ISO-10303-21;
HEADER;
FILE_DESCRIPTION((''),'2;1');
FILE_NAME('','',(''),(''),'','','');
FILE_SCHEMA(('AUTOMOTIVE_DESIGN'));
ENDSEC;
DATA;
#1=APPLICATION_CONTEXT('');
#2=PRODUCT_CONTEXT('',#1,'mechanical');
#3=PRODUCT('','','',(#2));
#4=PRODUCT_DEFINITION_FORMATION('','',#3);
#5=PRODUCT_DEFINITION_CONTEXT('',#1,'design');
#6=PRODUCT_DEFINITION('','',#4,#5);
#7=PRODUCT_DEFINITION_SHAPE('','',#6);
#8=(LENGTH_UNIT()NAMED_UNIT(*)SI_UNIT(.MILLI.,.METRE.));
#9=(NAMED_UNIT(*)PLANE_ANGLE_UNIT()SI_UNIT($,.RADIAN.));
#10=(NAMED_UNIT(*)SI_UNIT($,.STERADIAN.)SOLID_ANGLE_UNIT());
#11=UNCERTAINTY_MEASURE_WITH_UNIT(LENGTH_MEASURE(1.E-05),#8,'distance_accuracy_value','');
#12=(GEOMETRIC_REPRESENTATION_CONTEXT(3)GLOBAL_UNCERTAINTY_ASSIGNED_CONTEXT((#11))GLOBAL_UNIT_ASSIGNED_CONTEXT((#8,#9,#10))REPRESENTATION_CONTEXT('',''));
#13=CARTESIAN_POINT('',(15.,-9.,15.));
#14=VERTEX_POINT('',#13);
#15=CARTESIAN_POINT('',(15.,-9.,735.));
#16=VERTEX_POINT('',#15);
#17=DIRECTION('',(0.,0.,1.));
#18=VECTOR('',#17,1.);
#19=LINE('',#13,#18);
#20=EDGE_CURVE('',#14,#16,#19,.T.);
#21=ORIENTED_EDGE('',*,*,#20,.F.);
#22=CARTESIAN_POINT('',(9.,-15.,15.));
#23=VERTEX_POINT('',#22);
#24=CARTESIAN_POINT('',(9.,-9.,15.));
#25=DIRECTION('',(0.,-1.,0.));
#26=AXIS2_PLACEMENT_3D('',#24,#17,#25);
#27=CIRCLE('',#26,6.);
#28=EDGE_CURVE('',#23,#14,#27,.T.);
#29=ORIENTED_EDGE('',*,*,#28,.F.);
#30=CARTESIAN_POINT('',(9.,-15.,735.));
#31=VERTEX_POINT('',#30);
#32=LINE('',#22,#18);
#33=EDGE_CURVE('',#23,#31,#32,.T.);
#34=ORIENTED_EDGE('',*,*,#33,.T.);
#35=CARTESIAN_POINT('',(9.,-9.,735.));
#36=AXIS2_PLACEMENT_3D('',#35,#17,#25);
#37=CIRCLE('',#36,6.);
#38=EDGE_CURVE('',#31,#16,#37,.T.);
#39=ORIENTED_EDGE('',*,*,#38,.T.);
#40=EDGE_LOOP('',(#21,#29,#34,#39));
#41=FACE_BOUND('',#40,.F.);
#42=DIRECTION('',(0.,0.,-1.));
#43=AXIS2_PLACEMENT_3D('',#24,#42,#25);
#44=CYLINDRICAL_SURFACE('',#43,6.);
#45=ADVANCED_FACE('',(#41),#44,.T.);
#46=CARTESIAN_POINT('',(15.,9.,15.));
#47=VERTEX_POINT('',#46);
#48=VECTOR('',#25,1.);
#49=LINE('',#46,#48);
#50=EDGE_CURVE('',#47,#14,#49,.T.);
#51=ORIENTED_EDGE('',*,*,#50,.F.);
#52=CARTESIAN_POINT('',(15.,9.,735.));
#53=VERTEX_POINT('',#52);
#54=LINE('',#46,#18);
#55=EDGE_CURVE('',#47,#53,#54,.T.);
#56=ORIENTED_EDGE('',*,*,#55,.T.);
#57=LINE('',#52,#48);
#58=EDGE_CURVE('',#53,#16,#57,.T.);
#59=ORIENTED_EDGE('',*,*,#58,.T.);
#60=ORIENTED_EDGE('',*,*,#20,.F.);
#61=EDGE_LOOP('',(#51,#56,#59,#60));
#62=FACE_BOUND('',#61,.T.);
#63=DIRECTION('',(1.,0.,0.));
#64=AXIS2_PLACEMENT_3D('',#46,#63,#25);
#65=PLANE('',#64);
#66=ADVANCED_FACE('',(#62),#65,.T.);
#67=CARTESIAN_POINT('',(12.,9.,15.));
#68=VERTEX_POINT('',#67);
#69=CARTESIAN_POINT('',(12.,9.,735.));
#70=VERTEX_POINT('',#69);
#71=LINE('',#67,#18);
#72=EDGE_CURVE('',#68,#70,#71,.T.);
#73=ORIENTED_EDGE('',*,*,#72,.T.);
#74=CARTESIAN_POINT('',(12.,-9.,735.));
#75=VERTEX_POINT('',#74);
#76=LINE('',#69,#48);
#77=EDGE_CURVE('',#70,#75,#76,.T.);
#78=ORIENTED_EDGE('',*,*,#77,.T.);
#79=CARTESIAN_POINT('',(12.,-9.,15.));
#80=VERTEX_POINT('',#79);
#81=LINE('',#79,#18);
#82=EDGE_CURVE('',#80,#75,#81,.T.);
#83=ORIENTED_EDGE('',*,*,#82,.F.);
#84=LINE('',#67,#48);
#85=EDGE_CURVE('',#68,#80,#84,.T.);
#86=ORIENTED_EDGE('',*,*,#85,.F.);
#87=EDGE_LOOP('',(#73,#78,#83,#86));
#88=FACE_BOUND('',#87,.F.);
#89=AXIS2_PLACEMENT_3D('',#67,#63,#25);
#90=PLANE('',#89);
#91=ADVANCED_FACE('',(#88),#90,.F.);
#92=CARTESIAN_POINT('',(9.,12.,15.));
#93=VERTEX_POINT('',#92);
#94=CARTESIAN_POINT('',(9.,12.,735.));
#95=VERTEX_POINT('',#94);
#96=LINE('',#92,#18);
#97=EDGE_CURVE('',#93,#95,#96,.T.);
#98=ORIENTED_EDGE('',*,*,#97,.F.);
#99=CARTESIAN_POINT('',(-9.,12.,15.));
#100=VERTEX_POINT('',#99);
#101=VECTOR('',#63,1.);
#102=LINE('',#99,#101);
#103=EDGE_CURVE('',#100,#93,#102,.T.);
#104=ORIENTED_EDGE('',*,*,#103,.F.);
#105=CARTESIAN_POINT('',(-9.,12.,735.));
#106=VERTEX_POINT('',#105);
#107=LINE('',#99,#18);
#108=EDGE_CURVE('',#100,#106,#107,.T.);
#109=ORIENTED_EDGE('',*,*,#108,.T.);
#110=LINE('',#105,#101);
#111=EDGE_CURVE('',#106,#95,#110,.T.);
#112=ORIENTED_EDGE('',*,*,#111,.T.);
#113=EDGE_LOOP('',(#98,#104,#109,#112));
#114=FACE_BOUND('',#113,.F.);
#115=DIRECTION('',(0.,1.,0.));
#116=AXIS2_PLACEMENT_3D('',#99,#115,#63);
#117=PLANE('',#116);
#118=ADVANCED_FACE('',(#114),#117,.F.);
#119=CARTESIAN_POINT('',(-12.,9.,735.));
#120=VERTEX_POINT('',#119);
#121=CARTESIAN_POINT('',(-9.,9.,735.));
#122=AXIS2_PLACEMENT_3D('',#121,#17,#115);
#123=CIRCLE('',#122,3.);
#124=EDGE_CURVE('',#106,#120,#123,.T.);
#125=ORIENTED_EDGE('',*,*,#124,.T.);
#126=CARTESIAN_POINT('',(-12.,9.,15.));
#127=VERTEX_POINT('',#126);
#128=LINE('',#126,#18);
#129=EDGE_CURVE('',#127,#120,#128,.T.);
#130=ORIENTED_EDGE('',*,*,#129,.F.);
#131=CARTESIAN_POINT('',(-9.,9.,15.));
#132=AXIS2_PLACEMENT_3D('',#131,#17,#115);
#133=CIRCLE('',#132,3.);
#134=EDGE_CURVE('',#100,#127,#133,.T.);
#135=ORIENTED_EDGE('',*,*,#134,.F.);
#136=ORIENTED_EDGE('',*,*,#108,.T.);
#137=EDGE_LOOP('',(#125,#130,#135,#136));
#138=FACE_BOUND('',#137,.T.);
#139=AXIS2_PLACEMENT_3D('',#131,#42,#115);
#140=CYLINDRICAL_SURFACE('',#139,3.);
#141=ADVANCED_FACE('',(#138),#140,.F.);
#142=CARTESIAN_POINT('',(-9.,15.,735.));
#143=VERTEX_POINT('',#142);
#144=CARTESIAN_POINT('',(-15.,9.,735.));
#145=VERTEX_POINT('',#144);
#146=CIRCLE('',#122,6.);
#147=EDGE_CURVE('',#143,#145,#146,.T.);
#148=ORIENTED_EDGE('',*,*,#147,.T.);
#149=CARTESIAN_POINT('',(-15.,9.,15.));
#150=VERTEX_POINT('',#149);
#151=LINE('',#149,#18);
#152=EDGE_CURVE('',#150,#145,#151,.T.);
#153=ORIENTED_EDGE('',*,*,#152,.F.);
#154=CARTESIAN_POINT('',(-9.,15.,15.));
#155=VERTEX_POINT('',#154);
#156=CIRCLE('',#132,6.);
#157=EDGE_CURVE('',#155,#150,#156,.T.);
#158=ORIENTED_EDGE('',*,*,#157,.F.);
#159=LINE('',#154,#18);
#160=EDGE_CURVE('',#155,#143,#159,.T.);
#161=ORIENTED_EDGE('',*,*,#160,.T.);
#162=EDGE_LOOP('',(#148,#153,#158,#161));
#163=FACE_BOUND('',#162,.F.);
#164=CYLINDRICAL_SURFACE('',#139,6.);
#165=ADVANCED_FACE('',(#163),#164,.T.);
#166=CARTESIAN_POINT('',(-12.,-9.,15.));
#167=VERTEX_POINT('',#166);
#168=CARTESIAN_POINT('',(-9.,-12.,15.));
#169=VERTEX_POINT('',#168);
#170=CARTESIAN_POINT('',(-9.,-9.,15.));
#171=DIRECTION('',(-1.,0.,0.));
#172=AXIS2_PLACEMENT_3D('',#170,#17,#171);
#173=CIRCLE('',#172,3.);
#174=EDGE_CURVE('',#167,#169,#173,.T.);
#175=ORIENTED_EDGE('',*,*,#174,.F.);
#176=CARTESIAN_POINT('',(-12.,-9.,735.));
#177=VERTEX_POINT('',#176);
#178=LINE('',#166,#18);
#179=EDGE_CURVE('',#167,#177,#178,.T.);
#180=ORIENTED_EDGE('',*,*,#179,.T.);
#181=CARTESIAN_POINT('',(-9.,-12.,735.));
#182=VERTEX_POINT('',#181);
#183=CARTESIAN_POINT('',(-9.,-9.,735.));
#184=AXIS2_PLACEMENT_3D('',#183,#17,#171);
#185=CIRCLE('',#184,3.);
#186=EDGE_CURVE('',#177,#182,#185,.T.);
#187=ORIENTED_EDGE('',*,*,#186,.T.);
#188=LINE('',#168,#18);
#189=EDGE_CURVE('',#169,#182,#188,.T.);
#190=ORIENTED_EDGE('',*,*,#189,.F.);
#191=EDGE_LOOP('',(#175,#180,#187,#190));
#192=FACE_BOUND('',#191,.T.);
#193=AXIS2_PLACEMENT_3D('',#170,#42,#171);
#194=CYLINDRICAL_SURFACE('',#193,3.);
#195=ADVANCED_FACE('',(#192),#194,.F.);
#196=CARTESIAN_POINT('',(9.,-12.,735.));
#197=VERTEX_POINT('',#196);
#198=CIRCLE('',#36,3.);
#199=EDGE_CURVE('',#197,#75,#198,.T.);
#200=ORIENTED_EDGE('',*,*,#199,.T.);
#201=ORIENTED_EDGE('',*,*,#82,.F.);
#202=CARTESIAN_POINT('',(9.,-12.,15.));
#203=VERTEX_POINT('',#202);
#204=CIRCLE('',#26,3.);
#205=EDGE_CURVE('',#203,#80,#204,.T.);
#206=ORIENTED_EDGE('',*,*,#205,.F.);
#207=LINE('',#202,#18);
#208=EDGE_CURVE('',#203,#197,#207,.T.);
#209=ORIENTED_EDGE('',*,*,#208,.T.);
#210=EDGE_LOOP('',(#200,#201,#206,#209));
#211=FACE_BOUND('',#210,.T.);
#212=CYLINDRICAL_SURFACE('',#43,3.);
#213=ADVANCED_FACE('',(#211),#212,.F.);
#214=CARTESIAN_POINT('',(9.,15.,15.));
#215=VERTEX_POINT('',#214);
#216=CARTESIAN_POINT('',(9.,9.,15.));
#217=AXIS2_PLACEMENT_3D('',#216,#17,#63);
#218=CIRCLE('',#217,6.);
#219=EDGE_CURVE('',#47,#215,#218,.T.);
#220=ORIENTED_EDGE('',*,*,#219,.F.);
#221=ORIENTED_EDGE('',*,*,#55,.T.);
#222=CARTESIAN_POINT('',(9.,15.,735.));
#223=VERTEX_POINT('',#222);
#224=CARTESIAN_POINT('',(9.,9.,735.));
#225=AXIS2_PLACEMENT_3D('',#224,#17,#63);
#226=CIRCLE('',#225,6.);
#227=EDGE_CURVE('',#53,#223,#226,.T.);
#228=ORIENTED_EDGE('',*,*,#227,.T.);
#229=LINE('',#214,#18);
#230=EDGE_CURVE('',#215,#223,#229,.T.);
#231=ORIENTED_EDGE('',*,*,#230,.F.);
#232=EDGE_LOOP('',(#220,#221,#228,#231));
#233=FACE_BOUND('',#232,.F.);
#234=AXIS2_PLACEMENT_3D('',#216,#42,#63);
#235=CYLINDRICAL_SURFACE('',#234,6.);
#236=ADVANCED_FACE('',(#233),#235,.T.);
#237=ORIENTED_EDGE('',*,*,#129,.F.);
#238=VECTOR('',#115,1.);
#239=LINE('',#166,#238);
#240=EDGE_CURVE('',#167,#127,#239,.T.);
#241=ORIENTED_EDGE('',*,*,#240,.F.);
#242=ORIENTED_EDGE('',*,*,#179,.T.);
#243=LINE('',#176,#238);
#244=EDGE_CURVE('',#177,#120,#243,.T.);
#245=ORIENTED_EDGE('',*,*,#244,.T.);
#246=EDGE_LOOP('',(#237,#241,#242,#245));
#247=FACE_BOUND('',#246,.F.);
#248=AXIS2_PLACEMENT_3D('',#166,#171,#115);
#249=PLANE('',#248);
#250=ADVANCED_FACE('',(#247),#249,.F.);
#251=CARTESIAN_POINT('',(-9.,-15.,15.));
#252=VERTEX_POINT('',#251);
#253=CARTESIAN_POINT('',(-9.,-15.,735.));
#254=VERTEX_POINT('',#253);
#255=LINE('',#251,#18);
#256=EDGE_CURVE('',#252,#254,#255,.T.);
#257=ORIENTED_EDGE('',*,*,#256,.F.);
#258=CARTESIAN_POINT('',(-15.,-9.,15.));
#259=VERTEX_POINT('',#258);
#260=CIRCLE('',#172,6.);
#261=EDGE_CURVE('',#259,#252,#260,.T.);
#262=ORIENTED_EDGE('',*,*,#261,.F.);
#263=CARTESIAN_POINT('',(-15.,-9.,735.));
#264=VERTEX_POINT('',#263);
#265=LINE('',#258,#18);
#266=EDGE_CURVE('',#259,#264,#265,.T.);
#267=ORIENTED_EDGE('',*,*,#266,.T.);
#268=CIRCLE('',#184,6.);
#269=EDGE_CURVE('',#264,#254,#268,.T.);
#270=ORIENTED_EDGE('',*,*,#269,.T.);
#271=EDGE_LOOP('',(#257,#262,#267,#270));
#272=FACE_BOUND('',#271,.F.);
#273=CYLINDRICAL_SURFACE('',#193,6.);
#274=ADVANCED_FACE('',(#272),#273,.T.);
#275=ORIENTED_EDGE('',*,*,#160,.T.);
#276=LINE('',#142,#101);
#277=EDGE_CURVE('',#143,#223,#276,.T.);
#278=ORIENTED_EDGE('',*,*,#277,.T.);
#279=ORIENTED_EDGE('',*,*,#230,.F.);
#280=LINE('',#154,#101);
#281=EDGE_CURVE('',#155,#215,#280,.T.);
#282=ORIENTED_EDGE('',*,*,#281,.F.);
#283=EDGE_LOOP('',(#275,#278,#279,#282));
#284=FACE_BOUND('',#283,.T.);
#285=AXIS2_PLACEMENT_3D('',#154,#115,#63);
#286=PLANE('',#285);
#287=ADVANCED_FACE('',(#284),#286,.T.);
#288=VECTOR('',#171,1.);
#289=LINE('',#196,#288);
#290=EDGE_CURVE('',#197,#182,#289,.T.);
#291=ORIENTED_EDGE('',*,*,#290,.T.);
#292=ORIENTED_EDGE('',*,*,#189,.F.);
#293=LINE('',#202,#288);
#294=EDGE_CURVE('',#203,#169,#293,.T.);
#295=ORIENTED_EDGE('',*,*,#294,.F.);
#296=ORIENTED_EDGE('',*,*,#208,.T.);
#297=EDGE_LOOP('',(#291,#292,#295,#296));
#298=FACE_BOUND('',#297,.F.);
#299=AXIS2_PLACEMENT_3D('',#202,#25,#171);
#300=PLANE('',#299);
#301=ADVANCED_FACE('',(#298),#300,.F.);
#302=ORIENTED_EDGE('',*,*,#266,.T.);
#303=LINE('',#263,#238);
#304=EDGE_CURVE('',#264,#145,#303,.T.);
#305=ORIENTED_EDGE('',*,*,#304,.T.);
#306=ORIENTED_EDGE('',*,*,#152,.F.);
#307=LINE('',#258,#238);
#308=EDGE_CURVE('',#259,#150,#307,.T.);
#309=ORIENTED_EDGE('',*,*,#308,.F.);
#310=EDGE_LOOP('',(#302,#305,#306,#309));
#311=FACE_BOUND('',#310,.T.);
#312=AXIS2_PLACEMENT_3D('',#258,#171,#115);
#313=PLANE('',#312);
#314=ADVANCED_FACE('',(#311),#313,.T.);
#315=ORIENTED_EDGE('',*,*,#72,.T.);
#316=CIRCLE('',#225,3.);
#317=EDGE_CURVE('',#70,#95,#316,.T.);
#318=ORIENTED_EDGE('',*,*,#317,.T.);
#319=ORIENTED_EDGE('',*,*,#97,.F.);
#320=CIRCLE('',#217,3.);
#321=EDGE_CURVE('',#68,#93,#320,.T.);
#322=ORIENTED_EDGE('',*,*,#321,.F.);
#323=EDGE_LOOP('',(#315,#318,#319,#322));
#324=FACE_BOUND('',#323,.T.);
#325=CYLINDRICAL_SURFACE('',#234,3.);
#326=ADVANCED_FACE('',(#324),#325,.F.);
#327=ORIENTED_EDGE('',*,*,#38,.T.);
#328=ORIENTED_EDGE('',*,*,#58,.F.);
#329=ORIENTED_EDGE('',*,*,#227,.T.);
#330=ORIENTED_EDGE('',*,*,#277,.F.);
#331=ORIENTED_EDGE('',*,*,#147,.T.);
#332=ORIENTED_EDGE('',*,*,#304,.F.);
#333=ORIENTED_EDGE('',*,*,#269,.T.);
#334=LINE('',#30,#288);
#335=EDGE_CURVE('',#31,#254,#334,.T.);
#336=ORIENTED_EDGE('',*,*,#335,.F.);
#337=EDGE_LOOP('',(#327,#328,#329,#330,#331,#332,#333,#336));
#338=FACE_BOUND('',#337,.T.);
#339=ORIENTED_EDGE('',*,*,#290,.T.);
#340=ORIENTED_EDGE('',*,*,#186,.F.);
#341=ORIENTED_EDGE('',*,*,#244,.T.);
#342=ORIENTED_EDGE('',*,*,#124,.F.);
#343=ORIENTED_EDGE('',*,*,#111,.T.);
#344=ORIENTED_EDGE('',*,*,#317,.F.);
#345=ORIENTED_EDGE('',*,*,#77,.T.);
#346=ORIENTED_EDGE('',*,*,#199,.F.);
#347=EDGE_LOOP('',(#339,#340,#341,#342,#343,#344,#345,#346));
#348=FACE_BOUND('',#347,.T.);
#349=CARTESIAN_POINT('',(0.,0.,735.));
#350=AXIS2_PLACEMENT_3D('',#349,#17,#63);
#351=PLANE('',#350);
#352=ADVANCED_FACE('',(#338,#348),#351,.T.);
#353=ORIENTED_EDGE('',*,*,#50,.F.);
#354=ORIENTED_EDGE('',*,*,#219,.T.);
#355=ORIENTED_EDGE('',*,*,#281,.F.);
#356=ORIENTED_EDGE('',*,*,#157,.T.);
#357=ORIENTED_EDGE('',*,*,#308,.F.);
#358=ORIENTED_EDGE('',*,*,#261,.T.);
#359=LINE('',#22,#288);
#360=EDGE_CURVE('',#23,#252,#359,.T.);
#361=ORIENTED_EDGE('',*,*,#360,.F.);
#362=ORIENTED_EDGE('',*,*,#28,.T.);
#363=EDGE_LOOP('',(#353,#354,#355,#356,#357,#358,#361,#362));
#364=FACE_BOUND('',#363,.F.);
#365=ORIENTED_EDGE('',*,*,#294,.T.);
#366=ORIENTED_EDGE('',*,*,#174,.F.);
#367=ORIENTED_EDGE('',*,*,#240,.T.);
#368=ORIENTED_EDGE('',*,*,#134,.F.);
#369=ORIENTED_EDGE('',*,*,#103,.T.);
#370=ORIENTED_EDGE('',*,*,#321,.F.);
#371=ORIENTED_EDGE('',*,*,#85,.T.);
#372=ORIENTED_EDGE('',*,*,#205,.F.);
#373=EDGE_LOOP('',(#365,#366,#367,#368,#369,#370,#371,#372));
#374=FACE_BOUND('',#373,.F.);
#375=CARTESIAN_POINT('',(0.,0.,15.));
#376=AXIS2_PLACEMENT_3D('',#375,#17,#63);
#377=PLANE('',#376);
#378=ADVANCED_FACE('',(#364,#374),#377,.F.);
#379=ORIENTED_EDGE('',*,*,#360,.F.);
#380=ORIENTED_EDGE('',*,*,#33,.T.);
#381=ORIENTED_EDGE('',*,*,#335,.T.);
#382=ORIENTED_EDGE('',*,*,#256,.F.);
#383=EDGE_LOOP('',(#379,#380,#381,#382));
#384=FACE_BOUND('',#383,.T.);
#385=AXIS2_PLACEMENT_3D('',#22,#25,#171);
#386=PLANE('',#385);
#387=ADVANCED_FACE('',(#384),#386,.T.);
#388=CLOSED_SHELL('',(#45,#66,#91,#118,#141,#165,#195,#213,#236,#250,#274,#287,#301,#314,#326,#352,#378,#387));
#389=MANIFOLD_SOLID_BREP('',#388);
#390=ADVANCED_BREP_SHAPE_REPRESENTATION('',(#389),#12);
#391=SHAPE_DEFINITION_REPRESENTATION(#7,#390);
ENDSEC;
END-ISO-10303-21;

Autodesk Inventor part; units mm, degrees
ref_plane "Start plane" through (0, 0, 15) normal (0, 0, 1) x (1, 0, 0)
ref_plane "End plane" through (0, 0, 735) normal (0, 0, 1) x (1, 0, 0)
sketch "Sketch" plane through (0, 0, 0) normal (0, 0, 1) x (1, 0, 0)
  line L0 (-15, -9) -> (-15, 9)
  line L1 (-9, 15) -> (9, 15)
  line L2 (15, 9) -> (15, -9)
  line L3 (9, -15) -> (-9, -15)
  arc A0 (-15, -9) -> (-9, -15) centre (-9, -9) ccw
  arc A1 (-9, 15) -> (-15, 9) centre (-9, 9) ccw
  arc A2 (15, 9) -> (9, 15) centre (9, 9) ccw
  arc A3 (9, -15) -> (15, -9) centre (9, -9) ccw
  arc A4 (-9, 12) -> (-12, 9) centre (-9, 9) ccw
  line L4 (-9, 12) -> (9, 12)
  arc A5 (12, 9) -> (9, 12) centre (9, 9) ccw
  line L5 (12, 9) -> (12, -9)
  arc A6 (9, -12) -> (12, -9) centre (9, -9) ccw
  line L6 (9, -12) -> (-9, -12)
  arc A7 (-12, -9) -> (-9, -12) centre (-9, -9) ccw
  line L7 (-12, -9) -> (-12, 9)
  line L8 (0, 22.7397) -> (0, -22.7397) construction
  line L9 (-22.7397, 0) -> (22.7397, 0) construction
  dimension "d7" = 6
  dimension "d10" = 30
  dimension "d11" = 30
  dimension "d12" = 3
  dimension "d15" = 15
  dimension "d16" = 15
extrude "Body" add sketch "Sketch" along normal up to surface (720 mm away) from surface at 15
sketch "Sketch3" plane through (0, 0, 0) normal (0, 0, 1) x (1, 0, 0)
  line L0 (0, 0) -> (10, 0)
ref_plane "Work Plane3" through (0, 0, 0) normal (0, -1, 0) x (1, 0, 0)
ref_plane "Work Plane4" through (9, 321, 735) normal (0, 0, 1) x (1, 0, 0)
split "Split1" plane through (9, 321, 735) removes the side toward (0, 0, 1)
ref_plane "Work Plane5" through (9, -1401, 15) normal (0, 0, -1) x (-1, 0, 0)
split "Split2" plane through (9, -1401, 15) removes the side toward (0, 0, -1)
sketch "Sketch4" plane through (0, 0, 0) normal (0, -1, 0) x (1, 0, 0)
  line L0 (-2, 15) -> (12, 15) projected
  line L1 (-2, 735) -> (12, 735) projected
  dimension "d18" = 720
equation "\"d7\" = G_IR"
equation "\"d10\" = G_H"
equation "\"d11\" = G_W"
equation "\"d12\" = G_T"
equation "\"d15\" = 0.5 * d10"
equation "\"d16\" = 0.5 * d11"
equation "\"d3\" = G_L"
equation "\"G_W\" = 30"
equation "\"G_H\" = 30"
equation "\"G_T\" = 3"
equation "\"G_IR\" = 6"
equation "\"G_L\" = d18"
equation "\"G_OFFSET_START\" = -15"
equation "\"G_OFFSET_END\" = -15"
equation "\"d13\" = -G_OFFSET_START"
equation "\"d14\" = G_OFFSET_END + B_L"
equation "\"B_L\" = 750"
properties part number "DIN EN 10219-2 - 30 x 30 x 3  - 720" material "Steel, Mild"
